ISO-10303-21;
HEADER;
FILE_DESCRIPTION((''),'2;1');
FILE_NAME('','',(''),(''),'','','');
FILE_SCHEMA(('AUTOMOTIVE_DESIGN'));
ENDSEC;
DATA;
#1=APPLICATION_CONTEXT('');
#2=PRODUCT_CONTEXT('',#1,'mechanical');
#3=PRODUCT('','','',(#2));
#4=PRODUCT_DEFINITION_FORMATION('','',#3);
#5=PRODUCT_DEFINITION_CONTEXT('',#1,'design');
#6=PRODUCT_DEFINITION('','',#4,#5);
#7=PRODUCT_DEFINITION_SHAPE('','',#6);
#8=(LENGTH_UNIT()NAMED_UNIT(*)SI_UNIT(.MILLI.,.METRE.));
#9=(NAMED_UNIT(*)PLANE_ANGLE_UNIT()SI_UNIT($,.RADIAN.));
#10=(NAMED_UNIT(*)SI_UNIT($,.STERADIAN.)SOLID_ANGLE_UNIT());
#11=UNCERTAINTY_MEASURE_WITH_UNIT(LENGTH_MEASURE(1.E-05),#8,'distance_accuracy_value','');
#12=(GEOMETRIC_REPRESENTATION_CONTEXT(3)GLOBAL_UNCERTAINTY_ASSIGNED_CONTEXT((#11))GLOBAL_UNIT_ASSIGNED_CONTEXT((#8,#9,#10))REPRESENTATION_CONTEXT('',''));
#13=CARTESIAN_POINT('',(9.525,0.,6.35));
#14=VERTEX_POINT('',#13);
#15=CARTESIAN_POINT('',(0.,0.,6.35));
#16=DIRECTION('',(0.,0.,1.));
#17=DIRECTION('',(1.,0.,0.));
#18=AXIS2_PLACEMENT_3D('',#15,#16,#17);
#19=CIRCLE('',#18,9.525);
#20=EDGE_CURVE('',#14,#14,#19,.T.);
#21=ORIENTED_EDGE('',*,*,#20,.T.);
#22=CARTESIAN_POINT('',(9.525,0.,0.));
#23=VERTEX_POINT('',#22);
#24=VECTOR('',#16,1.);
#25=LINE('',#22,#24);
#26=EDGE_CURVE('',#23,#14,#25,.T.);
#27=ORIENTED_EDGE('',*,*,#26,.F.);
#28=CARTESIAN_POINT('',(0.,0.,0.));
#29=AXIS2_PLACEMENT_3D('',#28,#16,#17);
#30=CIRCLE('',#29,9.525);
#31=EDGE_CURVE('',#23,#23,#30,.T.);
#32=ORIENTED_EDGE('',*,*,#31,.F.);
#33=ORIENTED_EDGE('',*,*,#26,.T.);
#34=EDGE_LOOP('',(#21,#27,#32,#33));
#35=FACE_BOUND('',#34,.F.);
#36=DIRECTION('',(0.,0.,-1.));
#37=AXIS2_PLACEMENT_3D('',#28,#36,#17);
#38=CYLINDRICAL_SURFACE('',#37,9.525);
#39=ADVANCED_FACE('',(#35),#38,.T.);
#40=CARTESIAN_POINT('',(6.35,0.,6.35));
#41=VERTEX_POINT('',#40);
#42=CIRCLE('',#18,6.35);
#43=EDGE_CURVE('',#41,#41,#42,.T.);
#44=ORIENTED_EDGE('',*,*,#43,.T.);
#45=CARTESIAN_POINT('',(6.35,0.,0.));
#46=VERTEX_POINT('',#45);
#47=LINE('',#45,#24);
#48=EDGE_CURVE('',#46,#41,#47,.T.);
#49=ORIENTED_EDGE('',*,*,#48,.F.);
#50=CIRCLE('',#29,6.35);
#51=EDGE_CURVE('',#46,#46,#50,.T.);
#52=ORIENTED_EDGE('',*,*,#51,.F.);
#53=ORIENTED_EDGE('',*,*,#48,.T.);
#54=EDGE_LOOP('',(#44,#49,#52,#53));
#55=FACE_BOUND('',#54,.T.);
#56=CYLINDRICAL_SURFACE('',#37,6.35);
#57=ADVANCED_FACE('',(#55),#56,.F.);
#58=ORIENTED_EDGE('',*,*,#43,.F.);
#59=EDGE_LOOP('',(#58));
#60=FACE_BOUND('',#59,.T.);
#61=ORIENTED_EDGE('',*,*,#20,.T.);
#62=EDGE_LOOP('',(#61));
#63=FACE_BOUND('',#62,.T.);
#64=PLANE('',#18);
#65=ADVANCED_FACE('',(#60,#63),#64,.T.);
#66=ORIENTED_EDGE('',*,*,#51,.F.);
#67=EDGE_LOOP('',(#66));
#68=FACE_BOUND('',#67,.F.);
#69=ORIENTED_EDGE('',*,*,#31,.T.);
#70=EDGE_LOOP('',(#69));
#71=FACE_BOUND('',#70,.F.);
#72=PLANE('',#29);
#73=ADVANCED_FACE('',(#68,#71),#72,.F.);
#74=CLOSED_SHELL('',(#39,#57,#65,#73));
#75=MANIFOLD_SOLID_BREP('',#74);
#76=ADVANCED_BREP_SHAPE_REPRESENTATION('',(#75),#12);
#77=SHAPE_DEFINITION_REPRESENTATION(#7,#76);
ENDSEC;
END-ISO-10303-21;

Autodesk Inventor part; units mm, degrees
ref_plane "YZ Plane" through (0, 0, 0) normal (1, 0, 0) x (0, 1, 0)
ref_plane "XZ Plane" through (0, 0, 0) normal (0, 1, 0) x (-1, 0, 0)
ref_plane "XY Plane" through (0, 0, 0) normal (0, 0, 1) x (1, 0, 0)
sketch "Sketch1" plane through (0, 0, 0) normal (0, 0, 1) x (1, 0, 0)
  circle A0 centre (0, 0) radius 6.35
  circle A1 centre (0, 0) radius 9.525
  dimension "d0" = 12.7
  dimension "d2" = 19.05
extrude "Extrusion1" add sketch "Sketch1" along normal blind 6.35
properties part number "500 Spacer .25"
